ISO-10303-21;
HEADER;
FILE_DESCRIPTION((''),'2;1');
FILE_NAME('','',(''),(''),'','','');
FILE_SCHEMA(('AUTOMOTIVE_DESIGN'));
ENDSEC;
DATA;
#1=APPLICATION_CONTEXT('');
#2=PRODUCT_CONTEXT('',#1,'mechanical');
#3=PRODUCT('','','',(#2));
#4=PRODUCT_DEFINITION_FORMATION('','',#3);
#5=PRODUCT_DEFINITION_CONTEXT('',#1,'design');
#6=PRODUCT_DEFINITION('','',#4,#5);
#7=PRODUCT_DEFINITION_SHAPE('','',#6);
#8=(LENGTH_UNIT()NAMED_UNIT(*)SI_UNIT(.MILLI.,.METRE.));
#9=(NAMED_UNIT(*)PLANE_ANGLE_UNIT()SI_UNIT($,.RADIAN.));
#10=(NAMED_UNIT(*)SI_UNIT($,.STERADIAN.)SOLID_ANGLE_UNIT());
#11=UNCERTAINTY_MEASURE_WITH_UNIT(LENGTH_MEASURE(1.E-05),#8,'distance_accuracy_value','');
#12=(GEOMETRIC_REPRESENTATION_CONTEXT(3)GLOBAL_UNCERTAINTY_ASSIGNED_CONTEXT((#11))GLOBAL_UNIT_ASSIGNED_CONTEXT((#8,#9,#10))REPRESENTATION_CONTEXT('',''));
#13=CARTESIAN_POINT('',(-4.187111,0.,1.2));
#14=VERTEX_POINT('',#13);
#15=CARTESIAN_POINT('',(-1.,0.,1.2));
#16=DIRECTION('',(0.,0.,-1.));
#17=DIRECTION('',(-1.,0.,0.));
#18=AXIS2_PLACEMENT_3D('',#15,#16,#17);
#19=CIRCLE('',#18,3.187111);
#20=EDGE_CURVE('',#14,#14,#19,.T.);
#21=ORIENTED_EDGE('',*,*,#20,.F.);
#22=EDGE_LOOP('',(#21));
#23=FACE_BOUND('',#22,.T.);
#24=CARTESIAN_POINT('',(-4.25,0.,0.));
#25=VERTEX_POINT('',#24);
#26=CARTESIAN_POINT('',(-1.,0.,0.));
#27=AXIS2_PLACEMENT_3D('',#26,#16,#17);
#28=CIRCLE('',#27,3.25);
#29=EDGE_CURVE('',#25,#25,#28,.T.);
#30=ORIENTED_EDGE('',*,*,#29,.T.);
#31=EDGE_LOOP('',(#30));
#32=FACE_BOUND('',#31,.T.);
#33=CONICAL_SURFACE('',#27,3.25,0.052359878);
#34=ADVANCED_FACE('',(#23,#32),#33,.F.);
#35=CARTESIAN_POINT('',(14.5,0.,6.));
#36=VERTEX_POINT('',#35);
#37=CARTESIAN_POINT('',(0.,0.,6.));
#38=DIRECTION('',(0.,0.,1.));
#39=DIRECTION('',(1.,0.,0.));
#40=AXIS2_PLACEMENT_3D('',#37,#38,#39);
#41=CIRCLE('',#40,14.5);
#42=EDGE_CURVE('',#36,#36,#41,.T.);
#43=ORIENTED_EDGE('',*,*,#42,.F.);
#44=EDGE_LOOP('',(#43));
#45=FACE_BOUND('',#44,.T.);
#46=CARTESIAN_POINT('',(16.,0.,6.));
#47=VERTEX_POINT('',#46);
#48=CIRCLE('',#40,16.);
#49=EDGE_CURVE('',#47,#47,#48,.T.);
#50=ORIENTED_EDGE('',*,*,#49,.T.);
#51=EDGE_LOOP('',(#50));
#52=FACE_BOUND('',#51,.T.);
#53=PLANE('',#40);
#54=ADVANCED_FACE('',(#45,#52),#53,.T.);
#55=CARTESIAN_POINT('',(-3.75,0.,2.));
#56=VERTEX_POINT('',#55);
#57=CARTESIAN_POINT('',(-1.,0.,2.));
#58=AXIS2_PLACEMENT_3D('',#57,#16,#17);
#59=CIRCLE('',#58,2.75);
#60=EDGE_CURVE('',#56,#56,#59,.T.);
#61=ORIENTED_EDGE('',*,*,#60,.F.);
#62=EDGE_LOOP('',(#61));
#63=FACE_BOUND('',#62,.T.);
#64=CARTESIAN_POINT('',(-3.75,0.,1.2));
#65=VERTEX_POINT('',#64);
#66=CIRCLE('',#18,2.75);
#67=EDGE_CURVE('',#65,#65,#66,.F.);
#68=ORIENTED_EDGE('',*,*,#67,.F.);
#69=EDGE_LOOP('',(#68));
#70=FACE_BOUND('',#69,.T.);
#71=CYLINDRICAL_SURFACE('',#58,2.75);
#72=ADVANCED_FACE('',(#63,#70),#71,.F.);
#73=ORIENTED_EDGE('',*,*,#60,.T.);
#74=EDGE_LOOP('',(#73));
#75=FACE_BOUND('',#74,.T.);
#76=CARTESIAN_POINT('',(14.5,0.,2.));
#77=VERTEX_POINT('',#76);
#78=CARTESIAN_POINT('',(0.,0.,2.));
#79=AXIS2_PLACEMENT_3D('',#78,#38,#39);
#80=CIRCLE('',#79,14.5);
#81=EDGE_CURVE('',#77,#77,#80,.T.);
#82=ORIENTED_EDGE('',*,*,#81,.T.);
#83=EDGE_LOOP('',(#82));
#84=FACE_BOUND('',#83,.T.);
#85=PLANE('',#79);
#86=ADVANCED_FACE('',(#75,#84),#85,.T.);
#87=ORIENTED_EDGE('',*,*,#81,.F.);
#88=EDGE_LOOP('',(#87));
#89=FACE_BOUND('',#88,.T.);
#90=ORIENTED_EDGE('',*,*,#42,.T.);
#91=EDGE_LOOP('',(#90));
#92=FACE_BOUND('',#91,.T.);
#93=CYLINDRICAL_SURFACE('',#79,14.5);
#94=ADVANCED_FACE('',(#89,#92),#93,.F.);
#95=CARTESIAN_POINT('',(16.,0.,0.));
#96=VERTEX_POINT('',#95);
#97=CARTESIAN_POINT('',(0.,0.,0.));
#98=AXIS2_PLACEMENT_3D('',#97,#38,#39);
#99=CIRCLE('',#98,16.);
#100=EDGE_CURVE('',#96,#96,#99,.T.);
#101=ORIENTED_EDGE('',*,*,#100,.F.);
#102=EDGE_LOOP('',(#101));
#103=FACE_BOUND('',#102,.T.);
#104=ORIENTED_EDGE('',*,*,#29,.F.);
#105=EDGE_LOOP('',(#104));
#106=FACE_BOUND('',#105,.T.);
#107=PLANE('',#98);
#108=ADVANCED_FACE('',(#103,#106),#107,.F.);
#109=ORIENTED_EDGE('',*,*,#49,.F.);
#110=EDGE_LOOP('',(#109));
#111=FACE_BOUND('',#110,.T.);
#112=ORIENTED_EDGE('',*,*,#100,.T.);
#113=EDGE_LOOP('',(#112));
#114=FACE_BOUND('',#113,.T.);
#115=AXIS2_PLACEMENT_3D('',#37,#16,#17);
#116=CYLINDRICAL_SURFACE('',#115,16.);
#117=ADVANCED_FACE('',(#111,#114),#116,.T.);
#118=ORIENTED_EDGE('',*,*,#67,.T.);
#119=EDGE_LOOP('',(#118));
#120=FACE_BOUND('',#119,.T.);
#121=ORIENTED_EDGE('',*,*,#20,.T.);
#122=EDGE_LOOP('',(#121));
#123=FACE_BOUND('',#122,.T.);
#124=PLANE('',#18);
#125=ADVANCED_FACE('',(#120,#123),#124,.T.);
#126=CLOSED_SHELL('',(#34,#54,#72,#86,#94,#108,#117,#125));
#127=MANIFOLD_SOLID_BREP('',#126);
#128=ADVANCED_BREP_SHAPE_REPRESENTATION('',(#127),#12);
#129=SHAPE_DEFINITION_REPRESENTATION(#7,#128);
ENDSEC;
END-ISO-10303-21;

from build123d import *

# Parameters (mm, degrees)
SKETCH1_R           = 16
BOSS_EXTRUDE1_DEPTH = 6
SKETCH3_R           = 14.5
CUT_EXTRUDE1_DEPTH  = 4
SKETCH4_R           = 2.75
CUT_EXTRUDE2_DEPTH  = 2
SKETCH6_R           = 3.25
CUT_EXTRUDE3_DEPTH  = 1.2
DRAFT4_ANGLE        = 3


with BuildPart() as part:
    # Sketch1 → Boss-Extrude1 (new body)
    with BuildSketch(Plane.XY):
        Circle(SKETCH1_R)
    extrude(amount=BOSS_EXTRUDE1_DEPTH)

    # Sketch3 → Cut-Extrude1 (cut)
    with BuildSketch(Plane.XY.offset(6)):
        Circle(SKETCH3_R)
    extrude(amount=-CUT_EXTRUDE1_DEPTH, mode=Mode.SUBTRACT)

    # Sketch4 → Cut-Extrude2 (cut)
    with BuildSketch(Plane(origin=(0, 0, 0), x_dir=(-1, 0, 0), z_dir=(0, 0, -1))):
        with Locations((1, 0)):
            Circle(SKETCH4_R)
    extrude(amount=-CUT_EXTRUDE2_DEPTH, mode=Mode.SUBTRACT)

    # Sketch6 → Cut-Extrude3 (cut)
    with BuildSketch(Plane(origin=(0, 0, 0), x_dir=(-1, 0, 0), z_dir=(0, 0, -1))):
        with Locations((1, 0)):
            Circle(SKETCH6_R)
    extrude(amount=-CUT_EXTRUDE3_DEPTH, mode=Mode.SUBTRACT)

    # Draft4
    draft4_faces = [part.faces().sort_by_distance(p)[0] for p in [
        (2.25, 0, 0.6),
    ]]
    draft(draft4_faces, Plane(origin=(0, 0, 0), x_dir=(-1, 0, 0), z_dir=(0, 0, -1)), DRAFT4_ANGLE)


solid = part.part
